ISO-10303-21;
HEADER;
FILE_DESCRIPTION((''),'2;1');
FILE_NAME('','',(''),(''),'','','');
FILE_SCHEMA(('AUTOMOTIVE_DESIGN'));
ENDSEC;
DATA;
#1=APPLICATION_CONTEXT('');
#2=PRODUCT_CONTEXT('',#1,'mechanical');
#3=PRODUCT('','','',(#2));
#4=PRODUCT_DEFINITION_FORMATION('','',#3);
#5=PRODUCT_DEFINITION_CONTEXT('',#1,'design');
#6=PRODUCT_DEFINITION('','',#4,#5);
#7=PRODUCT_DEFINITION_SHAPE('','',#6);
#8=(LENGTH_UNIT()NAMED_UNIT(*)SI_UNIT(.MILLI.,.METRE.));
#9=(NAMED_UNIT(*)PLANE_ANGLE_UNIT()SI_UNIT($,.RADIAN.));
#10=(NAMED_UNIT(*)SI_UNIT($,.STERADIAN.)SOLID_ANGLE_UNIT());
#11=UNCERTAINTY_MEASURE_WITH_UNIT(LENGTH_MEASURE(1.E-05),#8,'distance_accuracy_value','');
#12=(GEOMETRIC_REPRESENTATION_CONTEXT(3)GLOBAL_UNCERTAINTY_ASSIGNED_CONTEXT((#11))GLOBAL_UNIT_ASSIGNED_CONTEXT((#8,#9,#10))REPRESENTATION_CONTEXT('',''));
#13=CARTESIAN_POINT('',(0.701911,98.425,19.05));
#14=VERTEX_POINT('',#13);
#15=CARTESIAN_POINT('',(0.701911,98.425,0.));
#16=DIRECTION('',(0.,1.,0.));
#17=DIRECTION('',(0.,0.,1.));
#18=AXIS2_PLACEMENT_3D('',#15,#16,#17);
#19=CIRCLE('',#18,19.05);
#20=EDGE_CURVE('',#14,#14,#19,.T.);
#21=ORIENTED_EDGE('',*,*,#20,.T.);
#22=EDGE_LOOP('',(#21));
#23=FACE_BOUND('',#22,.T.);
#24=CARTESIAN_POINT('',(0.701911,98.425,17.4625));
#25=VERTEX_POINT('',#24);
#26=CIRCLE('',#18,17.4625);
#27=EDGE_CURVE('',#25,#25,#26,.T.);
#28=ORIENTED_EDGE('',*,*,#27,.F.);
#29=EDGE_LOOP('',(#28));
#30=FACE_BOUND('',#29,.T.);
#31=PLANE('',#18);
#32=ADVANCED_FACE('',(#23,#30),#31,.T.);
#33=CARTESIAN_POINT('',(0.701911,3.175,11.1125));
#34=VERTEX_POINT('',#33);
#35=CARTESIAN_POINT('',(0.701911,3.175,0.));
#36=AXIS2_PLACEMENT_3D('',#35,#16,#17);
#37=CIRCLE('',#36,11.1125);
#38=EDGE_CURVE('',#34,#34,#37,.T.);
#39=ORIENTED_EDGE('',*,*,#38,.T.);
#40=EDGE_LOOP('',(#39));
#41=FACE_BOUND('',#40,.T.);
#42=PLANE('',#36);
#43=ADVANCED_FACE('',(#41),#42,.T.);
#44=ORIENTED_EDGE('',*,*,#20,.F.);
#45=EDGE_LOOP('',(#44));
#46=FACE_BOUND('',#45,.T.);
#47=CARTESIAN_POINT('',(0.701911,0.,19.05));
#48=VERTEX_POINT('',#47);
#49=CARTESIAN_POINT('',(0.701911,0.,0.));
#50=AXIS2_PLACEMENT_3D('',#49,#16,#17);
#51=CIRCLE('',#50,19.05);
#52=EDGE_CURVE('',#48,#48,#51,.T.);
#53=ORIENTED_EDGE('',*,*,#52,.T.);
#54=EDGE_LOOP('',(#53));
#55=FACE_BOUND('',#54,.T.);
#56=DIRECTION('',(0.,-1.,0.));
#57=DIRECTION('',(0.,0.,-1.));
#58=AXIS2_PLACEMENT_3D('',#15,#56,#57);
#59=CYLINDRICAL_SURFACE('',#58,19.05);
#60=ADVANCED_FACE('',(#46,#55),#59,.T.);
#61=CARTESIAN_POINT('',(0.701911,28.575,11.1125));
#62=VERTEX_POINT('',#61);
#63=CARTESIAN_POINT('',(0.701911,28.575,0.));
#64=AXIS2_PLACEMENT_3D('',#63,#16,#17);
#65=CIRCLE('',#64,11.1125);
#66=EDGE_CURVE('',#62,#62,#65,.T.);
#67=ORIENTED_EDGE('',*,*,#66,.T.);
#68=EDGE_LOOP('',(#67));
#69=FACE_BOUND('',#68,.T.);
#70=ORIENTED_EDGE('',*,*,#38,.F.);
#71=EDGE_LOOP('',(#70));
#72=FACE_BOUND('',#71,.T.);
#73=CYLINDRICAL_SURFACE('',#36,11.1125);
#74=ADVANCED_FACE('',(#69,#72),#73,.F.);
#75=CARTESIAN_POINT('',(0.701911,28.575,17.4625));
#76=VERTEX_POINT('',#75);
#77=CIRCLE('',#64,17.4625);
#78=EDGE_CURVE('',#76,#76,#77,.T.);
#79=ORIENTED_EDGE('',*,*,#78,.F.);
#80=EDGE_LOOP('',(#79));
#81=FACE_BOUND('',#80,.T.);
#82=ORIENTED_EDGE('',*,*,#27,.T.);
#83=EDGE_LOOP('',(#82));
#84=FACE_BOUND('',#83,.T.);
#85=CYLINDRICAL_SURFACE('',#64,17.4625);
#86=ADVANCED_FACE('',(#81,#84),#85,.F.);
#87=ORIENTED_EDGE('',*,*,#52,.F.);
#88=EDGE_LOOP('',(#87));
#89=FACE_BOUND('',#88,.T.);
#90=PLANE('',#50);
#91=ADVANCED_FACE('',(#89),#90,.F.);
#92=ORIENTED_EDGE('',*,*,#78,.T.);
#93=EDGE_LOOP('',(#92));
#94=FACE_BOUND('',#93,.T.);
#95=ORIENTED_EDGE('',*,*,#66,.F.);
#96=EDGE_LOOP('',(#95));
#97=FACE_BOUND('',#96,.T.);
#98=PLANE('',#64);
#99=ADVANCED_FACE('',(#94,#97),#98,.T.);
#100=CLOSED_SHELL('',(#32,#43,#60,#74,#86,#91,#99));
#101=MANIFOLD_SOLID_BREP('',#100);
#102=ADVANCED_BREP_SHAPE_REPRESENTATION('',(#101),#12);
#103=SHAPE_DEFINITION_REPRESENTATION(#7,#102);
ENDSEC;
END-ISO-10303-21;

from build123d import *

# Parameters (mm, degrees)
SKETCH1_R           = 19.05
BOSS_EXTRUDE1_DEPTH = 98.425
SKETCH2_R           = 17.4625
CUT_EXTRUDE1_DEPTH  = 69.85
SKETCH3_R           = 11.1125
CUT_EXTRUDE2_DEPTH  = 25.4


with BuildPart() as part:
    # Sketch1 → Boss-Extrude1 (new body)
    with BuildSketch(Plane(origin=(0, 0, 0), x_dir=(1, 0, 0), z_dir=(0, 1, 0))):
        with Locations(Location((0.701910904, 0, 0), (0, 0, 270))):
            Circle(SKETCH1_R)
    extrude(amount=BOSS_EXTRUDE1_DEPTH)

    # Sketch2 → Cut-Extrude1 (cut)
    with BuildSketch(Plane(origin=(0, 98.425, 0), x_dir=(1, 0, 0), z_dir=(0, 1, 0))):
        with Locations(Location((0.701910904, 0, 0), (0, 0, 270))):
            Circle(SKETCH2_R)
    extrude(amount=-CUT_EXTRUDE1_DEPTH, mode=Mode.SUBTRACT)

    # Sketch3 → Cut-Extrude2 (cut)
    with BuildSketch(Plane(origin=(0, 28.575, 0), x_dir=(1, 0, 0), z_dir=(0, 1, 0))):
        with Locations(Location((0.701910904, 0, 0), (0, 0, 270))):
            Circle(SKETCH3_R)
    extrude(amount=-CUT_EXTRUDE2_DEPTH, mode=Mode.SUBTRACT)


solid = part.part
